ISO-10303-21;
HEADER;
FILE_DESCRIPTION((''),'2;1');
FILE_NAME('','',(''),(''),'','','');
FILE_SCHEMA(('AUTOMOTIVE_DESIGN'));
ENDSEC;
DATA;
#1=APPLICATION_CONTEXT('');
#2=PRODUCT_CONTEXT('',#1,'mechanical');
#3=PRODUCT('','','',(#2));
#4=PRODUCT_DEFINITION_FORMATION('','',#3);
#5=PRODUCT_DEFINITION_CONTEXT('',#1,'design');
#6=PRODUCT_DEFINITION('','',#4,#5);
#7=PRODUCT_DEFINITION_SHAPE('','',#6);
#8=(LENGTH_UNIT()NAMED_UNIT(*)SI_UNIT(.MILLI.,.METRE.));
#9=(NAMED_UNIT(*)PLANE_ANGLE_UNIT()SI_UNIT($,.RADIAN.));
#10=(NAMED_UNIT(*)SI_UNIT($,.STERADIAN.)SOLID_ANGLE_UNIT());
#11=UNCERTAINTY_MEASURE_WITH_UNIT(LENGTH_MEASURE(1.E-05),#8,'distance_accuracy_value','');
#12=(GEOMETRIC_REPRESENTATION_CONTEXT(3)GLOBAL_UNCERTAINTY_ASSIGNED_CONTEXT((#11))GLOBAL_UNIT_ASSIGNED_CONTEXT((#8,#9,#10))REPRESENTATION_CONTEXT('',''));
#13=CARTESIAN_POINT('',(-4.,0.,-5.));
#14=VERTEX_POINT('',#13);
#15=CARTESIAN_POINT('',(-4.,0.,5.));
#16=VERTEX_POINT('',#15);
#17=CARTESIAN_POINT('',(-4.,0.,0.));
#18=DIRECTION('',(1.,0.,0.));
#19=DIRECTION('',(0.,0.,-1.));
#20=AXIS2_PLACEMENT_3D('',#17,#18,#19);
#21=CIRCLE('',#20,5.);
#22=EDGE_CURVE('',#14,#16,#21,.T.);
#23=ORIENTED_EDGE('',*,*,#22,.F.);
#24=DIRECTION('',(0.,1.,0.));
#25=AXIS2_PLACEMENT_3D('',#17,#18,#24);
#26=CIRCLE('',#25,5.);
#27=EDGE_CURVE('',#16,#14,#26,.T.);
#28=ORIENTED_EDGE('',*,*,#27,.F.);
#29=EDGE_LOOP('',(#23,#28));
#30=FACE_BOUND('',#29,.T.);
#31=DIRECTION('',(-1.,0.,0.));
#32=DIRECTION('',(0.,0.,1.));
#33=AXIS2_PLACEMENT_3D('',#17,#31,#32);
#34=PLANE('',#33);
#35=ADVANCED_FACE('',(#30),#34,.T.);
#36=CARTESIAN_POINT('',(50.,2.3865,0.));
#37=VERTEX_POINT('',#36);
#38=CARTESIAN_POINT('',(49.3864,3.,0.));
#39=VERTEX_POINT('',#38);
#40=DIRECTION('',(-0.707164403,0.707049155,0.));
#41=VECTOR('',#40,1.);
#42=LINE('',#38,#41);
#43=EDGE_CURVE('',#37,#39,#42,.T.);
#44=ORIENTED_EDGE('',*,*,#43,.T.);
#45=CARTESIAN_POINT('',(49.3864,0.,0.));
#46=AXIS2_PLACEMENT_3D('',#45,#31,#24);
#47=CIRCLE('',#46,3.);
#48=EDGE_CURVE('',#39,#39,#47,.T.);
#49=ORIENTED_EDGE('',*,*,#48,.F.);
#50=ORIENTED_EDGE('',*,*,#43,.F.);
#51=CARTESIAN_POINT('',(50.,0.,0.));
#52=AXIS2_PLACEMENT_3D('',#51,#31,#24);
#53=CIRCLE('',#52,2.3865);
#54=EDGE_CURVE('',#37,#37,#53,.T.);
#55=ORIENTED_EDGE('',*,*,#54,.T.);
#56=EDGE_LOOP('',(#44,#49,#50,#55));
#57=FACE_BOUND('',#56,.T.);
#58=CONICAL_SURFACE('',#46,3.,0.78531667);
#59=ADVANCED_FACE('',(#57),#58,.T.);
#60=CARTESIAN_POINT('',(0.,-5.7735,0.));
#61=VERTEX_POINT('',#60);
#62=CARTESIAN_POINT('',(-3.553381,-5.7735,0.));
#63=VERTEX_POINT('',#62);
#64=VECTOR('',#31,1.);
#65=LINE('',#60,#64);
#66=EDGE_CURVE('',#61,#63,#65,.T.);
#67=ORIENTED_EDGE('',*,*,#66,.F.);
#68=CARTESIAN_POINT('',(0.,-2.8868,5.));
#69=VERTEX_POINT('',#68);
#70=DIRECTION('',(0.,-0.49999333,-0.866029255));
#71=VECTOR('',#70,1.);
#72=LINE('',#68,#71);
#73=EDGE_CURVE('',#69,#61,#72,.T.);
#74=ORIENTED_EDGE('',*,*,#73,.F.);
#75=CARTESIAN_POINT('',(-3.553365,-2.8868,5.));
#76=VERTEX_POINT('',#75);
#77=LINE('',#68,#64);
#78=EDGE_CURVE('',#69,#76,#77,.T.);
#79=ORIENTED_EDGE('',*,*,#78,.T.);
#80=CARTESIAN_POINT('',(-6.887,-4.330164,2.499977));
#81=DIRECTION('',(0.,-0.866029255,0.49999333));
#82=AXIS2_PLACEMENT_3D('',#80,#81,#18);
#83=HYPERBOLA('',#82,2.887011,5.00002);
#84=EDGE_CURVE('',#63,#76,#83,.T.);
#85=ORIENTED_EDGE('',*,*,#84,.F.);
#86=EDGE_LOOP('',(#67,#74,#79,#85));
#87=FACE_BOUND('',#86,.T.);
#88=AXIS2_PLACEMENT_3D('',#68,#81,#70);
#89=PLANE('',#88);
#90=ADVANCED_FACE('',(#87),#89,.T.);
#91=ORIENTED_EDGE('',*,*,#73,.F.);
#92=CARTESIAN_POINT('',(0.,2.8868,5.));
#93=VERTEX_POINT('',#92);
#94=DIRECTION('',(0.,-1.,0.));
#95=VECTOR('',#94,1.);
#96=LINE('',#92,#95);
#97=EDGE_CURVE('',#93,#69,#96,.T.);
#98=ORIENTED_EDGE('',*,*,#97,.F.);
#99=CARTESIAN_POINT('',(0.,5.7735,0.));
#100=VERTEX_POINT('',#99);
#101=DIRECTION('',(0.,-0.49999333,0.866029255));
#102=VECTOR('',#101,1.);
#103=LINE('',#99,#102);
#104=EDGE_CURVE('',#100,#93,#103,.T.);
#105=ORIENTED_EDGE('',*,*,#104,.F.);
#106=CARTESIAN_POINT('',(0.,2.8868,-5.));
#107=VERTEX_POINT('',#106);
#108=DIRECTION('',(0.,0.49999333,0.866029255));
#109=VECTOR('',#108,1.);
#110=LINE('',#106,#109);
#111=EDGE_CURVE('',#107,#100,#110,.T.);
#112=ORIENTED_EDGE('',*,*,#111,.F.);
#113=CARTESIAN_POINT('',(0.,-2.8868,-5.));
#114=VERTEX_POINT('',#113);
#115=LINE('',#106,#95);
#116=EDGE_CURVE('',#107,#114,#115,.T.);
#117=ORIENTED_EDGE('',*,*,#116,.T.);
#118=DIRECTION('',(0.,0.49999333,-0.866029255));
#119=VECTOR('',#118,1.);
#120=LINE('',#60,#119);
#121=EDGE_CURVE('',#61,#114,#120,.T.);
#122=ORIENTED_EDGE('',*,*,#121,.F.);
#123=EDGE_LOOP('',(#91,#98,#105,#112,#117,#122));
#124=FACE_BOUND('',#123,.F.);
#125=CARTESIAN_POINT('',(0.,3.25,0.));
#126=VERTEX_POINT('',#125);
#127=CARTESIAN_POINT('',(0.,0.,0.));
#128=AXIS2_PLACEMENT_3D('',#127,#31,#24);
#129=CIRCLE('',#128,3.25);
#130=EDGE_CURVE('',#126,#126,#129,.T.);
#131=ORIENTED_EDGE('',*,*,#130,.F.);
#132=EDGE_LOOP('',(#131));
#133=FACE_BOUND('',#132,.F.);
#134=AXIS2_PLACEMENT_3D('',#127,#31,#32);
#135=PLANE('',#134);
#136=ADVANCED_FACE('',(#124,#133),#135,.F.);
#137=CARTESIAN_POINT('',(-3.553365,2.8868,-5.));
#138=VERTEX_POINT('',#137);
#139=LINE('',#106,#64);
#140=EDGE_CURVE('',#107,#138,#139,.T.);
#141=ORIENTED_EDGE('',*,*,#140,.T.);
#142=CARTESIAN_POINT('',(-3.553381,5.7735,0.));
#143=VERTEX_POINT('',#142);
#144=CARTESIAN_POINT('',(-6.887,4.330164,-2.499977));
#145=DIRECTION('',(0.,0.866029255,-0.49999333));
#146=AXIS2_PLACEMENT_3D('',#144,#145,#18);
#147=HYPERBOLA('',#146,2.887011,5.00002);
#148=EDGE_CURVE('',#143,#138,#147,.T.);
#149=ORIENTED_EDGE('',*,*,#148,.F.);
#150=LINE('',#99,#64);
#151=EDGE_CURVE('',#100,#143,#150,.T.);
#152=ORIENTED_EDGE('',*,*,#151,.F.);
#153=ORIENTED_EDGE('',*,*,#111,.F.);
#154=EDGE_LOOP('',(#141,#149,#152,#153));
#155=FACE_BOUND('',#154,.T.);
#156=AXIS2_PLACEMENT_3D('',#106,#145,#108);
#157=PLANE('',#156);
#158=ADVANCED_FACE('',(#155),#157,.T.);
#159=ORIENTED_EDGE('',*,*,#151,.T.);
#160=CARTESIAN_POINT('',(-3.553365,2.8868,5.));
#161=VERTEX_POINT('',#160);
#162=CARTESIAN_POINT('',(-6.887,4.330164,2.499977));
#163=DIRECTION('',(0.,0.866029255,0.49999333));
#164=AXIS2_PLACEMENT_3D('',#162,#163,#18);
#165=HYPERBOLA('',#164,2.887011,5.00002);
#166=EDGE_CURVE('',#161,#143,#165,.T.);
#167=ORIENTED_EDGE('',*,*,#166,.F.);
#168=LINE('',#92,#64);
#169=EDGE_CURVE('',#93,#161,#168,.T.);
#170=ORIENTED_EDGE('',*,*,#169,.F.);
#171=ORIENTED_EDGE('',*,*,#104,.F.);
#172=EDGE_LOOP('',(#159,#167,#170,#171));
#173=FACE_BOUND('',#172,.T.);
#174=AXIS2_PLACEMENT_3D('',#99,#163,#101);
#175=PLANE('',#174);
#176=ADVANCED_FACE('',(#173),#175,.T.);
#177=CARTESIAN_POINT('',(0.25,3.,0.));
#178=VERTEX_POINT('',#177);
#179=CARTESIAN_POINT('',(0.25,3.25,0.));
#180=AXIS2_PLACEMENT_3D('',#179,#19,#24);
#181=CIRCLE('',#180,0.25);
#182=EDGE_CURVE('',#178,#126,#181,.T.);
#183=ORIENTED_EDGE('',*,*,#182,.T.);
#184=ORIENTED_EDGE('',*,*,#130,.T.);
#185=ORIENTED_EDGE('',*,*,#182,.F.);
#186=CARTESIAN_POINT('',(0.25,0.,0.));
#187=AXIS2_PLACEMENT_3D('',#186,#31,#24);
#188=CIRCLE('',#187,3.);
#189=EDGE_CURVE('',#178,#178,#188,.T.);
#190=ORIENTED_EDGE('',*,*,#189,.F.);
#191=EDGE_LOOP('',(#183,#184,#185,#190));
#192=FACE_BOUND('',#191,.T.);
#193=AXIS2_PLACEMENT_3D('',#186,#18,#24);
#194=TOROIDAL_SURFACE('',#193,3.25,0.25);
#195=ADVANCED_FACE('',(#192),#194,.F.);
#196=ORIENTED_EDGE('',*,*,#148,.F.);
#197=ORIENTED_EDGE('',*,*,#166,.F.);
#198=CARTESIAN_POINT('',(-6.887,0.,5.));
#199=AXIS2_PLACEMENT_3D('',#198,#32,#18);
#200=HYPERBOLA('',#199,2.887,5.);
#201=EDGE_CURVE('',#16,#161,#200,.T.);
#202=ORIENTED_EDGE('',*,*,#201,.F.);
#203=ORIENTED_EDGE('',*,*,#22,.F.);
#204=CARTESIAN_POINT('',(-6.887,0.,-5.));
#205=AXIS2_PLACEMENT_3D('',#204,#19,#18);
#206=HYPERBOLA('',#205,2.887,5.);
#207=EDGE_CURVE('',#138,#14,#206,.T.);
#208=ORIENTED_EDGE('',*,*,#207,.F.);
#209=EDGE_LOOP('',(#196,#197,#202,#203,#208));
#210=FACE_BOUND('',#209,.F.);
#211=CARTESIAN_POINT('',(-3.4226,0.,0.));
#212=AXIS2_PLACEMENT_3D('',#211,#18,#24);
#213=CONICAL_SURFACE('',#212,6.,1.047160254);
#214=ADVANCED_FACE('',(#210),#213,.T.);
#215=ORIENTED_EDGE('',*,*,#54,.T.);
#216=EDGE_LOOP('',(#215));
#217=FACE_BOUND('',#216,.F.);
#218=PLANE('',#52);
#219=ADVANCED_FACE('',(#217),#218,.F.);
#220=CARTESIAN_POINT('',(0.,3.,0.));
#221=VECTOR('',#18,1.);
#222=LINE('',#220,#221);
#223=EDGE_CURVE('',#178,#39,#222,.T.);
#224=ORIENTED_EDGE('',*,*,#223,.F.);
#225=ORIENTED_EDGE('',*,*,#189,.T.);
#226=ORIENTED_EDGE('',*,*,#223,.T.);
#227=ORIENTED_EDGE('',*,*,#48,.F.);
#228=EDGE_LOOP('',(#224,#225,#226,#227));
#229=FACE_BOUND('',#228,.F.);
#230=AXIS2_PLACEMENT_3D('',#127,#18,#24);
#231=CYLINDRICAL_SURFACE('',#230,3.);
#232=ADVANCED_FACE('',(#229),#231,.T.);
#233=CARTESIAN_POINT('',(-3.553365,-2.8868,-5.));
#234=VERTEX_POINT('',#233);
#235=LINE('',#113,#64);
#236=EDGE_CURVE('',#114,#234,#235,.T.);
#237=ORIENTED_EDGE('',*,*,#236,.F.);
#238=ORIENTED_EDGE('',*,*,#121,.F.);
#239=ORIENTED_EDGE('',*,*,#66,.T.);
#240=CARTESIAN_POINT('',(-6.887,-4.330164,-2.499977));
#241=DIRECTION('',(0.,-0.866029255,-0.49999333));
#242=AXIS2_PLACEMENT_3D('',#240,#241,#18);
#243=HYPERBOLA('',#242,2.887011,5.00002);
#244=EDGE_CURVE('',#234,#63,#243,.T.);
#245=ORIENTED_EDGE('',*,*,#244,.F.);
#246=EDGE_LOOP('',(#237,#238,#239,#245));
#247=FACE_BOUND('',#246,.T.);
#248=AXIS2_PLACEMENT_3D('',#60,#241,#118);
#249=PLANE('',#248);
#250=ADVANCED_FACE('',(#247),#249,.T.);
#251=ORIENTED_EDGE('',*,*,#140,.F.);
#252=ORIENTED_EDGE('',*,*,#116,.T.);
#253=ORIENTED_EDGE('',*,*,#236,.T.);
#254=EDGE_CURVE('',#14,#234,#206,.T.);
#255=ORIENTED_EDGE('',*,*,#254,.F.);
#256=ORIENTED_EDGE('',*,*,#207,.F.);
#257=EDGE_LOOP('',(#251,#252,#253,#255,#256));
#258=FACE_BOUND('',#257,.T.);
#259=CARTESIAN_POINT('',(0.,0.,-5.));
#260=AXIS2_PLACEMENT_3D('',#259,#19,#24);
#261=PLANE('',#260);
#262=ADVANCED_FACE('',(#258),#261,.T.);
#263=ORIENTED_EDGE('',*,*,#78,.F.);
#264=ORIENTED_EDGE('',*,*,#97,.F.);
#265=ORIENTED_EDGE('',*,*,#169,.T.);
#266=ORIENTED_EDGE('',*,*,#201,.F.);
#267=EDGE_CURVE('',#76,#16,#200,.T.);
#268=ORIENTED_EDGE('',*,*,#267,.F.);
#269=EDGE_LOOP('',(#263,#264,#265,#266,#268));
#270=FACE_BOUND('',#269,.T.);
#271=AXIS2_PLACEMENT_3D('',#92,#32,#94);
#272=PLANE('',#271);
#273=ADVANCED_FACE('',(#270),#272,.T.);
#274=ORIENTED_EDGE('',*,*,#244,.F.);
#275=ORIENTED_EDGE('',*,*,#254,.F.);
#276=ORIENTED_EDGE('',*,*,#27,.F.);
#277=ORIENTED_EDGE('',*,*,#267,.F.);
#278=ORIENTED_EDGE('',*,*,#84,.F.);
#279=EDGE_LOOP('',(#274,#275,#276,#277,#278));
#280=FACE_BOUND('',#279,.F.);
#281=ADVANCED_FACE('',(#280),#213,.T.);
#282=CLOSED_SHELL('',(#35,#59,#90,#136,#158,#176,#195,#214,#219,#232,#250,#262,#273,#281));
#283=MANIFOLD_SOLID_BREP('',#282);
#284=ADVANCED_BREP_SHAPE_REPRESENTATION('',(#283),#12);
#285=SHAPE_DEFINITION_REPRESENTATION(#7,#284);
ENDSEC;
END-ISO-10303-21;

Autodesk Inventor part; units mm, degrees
ref_plane "YZ Plane" through (0, 0, 0) normal (1, 0, 0) x (0, 1, 0)
ref_plane "XZ Plane" through (0, 0, 0) normal (0, 1, 0) x (-1, 0, 0)
sketch "Sketch1" plane through (0, 0, 0) normal (0, 0, 1) x (1, 0, 0)
  line L0 (0, 3) -> (50, 3)
  line L1 (50, 3) -> (50, 0)
  line L2 (50, 0) -> (0, 0)
  line L3 (-10, 0) -> (60, 0) projected
  line L4 (0, -0.6) -> (0, 3.6) projected
  line L5 (0, 3) -> (0, 0)
  dimension "d2" = 6
  dimension "d59" = 50
revolve "Body" add sketch "Sketch1" angle 360 about axis through (50, 0, 0) along (-1, 0, 0)
sketch "Sketch2" plane through (0, 0, 0) normal (-1, 0, 0) x (0, 0, 1)
  line L0 (0, 5.7735) -> (5, 2.8868)
  line L1 (5, 2.8868) -> (5, -2.8868)
  line L2 (5, -2.8868) -> (0, -5.7735)
  line L3 (0, -5.7735) -> (-5, -2.8868)
  line L4 (-5, -2.8868) -> (-5, 2.8868)
  line L5 (-5, 2.8868) -> (0, 5.7735)
  line L6 (-7, 0) -> (7, 0) projected
  line L7 (0, 8.0829) -> (0, -8.0829) projected
  point P0 (0, 0)
  point P1 (0, 0)
  dimension "d11" = 10
extrude "Head" add sketch "Sketch2" along normal blind 4
sketch "Sketch4" plane through (0, 0, 0) normal (0, 0, 1) x (1, 0, 0)
  line L0 (-3.4226, 6) -> (-4, 5)
  line L1 (-1.1, 0) -> (-0.234, 0)
  line L2 (-4.7532, 0) -> (0.5192, 0) projected
  line L3 (-4, 6) -> (-3.4226, 6)
  line L4 (-4, 5) -> (-4, 6)
  line L5 (0, 7.2) -> (0, -1.2) projected
  dimension "d65" = 10
  dimension "d67" = 30
  dimension "d68" = 12
  dimension "d69" = 4
revolve "Chamfer1" cut sketch "Sketch4" angle 360 about axis through (-1.1, 0, 0) along (1, 0, 0)
thread "Thread" size "M6x1" designation "M6" class "6g" standard "GB Metric profile" length 49
chamfer "Chamfer2" distance 0.6135 distance2 0.6136 1 edges at (50, -3, 0) measured on face at (50, 0.3546, -0.935)
fillet "Fillet2" radius 0.25 1 edges at (0, -3, 0)
ref_plane "Work Plane1" through (1.525, 0, 0) normal (0, 0, 1) x (1, 0, 0)
equation "\"d2\" = GD"
equation "\"d59\" = NLG"
equation "\"d11\" = SW"
equation "\"d3\" = KOH"
equation "\"d71\" = RR"
equation "\"d15\" = GEL"
equation "\"d6\" = -0.5 * SPD + 0.5 * GD"
equation "\"d65\" = SW"
equation "\"d67\" = ANG1"
equation "\"d68\" = 1.2 * SW"
equation "\"d69\" = KOH"
equation "\"NLG\" = 50"
equation "\"GD\" = NND"
equation "\"BDM\" = NND"
equation "\"KOH\" = 4"
equation "\"GEL\" = 49"
equation "\"SW\" = 10"
equation "\"SPD\" = NND - 1.2269 * PTC"
equation "\"SD2\" = NND"
equation "\"SD\" = 0"
equation "\"ANG1\" = 30deg"
equation "\"GAL\" = 0.61345 * PTC"
equation "\"GUL\" = 0.61345 * PTC"
equation "\"RR\" = 0.25"
equation "\"RR1\" = 0.1"
equation "\"WFT\" = 0"
equation "\"GD1\" = THREADDIA - 1.2269 * PTC"
equation "\"THREADDIA\" = 6"
equation "\"TOA\" = 30deg"
equation "\"FAWI\" = 90deg"
equation "\"PTC\" = 1"
equation "\"NND\" = 6"
equation "\"E0\" = 1.155 * SW"
properties part number "Hexagon bolt GB/T 5781 M6 x 50" material "Steel, Mild"
